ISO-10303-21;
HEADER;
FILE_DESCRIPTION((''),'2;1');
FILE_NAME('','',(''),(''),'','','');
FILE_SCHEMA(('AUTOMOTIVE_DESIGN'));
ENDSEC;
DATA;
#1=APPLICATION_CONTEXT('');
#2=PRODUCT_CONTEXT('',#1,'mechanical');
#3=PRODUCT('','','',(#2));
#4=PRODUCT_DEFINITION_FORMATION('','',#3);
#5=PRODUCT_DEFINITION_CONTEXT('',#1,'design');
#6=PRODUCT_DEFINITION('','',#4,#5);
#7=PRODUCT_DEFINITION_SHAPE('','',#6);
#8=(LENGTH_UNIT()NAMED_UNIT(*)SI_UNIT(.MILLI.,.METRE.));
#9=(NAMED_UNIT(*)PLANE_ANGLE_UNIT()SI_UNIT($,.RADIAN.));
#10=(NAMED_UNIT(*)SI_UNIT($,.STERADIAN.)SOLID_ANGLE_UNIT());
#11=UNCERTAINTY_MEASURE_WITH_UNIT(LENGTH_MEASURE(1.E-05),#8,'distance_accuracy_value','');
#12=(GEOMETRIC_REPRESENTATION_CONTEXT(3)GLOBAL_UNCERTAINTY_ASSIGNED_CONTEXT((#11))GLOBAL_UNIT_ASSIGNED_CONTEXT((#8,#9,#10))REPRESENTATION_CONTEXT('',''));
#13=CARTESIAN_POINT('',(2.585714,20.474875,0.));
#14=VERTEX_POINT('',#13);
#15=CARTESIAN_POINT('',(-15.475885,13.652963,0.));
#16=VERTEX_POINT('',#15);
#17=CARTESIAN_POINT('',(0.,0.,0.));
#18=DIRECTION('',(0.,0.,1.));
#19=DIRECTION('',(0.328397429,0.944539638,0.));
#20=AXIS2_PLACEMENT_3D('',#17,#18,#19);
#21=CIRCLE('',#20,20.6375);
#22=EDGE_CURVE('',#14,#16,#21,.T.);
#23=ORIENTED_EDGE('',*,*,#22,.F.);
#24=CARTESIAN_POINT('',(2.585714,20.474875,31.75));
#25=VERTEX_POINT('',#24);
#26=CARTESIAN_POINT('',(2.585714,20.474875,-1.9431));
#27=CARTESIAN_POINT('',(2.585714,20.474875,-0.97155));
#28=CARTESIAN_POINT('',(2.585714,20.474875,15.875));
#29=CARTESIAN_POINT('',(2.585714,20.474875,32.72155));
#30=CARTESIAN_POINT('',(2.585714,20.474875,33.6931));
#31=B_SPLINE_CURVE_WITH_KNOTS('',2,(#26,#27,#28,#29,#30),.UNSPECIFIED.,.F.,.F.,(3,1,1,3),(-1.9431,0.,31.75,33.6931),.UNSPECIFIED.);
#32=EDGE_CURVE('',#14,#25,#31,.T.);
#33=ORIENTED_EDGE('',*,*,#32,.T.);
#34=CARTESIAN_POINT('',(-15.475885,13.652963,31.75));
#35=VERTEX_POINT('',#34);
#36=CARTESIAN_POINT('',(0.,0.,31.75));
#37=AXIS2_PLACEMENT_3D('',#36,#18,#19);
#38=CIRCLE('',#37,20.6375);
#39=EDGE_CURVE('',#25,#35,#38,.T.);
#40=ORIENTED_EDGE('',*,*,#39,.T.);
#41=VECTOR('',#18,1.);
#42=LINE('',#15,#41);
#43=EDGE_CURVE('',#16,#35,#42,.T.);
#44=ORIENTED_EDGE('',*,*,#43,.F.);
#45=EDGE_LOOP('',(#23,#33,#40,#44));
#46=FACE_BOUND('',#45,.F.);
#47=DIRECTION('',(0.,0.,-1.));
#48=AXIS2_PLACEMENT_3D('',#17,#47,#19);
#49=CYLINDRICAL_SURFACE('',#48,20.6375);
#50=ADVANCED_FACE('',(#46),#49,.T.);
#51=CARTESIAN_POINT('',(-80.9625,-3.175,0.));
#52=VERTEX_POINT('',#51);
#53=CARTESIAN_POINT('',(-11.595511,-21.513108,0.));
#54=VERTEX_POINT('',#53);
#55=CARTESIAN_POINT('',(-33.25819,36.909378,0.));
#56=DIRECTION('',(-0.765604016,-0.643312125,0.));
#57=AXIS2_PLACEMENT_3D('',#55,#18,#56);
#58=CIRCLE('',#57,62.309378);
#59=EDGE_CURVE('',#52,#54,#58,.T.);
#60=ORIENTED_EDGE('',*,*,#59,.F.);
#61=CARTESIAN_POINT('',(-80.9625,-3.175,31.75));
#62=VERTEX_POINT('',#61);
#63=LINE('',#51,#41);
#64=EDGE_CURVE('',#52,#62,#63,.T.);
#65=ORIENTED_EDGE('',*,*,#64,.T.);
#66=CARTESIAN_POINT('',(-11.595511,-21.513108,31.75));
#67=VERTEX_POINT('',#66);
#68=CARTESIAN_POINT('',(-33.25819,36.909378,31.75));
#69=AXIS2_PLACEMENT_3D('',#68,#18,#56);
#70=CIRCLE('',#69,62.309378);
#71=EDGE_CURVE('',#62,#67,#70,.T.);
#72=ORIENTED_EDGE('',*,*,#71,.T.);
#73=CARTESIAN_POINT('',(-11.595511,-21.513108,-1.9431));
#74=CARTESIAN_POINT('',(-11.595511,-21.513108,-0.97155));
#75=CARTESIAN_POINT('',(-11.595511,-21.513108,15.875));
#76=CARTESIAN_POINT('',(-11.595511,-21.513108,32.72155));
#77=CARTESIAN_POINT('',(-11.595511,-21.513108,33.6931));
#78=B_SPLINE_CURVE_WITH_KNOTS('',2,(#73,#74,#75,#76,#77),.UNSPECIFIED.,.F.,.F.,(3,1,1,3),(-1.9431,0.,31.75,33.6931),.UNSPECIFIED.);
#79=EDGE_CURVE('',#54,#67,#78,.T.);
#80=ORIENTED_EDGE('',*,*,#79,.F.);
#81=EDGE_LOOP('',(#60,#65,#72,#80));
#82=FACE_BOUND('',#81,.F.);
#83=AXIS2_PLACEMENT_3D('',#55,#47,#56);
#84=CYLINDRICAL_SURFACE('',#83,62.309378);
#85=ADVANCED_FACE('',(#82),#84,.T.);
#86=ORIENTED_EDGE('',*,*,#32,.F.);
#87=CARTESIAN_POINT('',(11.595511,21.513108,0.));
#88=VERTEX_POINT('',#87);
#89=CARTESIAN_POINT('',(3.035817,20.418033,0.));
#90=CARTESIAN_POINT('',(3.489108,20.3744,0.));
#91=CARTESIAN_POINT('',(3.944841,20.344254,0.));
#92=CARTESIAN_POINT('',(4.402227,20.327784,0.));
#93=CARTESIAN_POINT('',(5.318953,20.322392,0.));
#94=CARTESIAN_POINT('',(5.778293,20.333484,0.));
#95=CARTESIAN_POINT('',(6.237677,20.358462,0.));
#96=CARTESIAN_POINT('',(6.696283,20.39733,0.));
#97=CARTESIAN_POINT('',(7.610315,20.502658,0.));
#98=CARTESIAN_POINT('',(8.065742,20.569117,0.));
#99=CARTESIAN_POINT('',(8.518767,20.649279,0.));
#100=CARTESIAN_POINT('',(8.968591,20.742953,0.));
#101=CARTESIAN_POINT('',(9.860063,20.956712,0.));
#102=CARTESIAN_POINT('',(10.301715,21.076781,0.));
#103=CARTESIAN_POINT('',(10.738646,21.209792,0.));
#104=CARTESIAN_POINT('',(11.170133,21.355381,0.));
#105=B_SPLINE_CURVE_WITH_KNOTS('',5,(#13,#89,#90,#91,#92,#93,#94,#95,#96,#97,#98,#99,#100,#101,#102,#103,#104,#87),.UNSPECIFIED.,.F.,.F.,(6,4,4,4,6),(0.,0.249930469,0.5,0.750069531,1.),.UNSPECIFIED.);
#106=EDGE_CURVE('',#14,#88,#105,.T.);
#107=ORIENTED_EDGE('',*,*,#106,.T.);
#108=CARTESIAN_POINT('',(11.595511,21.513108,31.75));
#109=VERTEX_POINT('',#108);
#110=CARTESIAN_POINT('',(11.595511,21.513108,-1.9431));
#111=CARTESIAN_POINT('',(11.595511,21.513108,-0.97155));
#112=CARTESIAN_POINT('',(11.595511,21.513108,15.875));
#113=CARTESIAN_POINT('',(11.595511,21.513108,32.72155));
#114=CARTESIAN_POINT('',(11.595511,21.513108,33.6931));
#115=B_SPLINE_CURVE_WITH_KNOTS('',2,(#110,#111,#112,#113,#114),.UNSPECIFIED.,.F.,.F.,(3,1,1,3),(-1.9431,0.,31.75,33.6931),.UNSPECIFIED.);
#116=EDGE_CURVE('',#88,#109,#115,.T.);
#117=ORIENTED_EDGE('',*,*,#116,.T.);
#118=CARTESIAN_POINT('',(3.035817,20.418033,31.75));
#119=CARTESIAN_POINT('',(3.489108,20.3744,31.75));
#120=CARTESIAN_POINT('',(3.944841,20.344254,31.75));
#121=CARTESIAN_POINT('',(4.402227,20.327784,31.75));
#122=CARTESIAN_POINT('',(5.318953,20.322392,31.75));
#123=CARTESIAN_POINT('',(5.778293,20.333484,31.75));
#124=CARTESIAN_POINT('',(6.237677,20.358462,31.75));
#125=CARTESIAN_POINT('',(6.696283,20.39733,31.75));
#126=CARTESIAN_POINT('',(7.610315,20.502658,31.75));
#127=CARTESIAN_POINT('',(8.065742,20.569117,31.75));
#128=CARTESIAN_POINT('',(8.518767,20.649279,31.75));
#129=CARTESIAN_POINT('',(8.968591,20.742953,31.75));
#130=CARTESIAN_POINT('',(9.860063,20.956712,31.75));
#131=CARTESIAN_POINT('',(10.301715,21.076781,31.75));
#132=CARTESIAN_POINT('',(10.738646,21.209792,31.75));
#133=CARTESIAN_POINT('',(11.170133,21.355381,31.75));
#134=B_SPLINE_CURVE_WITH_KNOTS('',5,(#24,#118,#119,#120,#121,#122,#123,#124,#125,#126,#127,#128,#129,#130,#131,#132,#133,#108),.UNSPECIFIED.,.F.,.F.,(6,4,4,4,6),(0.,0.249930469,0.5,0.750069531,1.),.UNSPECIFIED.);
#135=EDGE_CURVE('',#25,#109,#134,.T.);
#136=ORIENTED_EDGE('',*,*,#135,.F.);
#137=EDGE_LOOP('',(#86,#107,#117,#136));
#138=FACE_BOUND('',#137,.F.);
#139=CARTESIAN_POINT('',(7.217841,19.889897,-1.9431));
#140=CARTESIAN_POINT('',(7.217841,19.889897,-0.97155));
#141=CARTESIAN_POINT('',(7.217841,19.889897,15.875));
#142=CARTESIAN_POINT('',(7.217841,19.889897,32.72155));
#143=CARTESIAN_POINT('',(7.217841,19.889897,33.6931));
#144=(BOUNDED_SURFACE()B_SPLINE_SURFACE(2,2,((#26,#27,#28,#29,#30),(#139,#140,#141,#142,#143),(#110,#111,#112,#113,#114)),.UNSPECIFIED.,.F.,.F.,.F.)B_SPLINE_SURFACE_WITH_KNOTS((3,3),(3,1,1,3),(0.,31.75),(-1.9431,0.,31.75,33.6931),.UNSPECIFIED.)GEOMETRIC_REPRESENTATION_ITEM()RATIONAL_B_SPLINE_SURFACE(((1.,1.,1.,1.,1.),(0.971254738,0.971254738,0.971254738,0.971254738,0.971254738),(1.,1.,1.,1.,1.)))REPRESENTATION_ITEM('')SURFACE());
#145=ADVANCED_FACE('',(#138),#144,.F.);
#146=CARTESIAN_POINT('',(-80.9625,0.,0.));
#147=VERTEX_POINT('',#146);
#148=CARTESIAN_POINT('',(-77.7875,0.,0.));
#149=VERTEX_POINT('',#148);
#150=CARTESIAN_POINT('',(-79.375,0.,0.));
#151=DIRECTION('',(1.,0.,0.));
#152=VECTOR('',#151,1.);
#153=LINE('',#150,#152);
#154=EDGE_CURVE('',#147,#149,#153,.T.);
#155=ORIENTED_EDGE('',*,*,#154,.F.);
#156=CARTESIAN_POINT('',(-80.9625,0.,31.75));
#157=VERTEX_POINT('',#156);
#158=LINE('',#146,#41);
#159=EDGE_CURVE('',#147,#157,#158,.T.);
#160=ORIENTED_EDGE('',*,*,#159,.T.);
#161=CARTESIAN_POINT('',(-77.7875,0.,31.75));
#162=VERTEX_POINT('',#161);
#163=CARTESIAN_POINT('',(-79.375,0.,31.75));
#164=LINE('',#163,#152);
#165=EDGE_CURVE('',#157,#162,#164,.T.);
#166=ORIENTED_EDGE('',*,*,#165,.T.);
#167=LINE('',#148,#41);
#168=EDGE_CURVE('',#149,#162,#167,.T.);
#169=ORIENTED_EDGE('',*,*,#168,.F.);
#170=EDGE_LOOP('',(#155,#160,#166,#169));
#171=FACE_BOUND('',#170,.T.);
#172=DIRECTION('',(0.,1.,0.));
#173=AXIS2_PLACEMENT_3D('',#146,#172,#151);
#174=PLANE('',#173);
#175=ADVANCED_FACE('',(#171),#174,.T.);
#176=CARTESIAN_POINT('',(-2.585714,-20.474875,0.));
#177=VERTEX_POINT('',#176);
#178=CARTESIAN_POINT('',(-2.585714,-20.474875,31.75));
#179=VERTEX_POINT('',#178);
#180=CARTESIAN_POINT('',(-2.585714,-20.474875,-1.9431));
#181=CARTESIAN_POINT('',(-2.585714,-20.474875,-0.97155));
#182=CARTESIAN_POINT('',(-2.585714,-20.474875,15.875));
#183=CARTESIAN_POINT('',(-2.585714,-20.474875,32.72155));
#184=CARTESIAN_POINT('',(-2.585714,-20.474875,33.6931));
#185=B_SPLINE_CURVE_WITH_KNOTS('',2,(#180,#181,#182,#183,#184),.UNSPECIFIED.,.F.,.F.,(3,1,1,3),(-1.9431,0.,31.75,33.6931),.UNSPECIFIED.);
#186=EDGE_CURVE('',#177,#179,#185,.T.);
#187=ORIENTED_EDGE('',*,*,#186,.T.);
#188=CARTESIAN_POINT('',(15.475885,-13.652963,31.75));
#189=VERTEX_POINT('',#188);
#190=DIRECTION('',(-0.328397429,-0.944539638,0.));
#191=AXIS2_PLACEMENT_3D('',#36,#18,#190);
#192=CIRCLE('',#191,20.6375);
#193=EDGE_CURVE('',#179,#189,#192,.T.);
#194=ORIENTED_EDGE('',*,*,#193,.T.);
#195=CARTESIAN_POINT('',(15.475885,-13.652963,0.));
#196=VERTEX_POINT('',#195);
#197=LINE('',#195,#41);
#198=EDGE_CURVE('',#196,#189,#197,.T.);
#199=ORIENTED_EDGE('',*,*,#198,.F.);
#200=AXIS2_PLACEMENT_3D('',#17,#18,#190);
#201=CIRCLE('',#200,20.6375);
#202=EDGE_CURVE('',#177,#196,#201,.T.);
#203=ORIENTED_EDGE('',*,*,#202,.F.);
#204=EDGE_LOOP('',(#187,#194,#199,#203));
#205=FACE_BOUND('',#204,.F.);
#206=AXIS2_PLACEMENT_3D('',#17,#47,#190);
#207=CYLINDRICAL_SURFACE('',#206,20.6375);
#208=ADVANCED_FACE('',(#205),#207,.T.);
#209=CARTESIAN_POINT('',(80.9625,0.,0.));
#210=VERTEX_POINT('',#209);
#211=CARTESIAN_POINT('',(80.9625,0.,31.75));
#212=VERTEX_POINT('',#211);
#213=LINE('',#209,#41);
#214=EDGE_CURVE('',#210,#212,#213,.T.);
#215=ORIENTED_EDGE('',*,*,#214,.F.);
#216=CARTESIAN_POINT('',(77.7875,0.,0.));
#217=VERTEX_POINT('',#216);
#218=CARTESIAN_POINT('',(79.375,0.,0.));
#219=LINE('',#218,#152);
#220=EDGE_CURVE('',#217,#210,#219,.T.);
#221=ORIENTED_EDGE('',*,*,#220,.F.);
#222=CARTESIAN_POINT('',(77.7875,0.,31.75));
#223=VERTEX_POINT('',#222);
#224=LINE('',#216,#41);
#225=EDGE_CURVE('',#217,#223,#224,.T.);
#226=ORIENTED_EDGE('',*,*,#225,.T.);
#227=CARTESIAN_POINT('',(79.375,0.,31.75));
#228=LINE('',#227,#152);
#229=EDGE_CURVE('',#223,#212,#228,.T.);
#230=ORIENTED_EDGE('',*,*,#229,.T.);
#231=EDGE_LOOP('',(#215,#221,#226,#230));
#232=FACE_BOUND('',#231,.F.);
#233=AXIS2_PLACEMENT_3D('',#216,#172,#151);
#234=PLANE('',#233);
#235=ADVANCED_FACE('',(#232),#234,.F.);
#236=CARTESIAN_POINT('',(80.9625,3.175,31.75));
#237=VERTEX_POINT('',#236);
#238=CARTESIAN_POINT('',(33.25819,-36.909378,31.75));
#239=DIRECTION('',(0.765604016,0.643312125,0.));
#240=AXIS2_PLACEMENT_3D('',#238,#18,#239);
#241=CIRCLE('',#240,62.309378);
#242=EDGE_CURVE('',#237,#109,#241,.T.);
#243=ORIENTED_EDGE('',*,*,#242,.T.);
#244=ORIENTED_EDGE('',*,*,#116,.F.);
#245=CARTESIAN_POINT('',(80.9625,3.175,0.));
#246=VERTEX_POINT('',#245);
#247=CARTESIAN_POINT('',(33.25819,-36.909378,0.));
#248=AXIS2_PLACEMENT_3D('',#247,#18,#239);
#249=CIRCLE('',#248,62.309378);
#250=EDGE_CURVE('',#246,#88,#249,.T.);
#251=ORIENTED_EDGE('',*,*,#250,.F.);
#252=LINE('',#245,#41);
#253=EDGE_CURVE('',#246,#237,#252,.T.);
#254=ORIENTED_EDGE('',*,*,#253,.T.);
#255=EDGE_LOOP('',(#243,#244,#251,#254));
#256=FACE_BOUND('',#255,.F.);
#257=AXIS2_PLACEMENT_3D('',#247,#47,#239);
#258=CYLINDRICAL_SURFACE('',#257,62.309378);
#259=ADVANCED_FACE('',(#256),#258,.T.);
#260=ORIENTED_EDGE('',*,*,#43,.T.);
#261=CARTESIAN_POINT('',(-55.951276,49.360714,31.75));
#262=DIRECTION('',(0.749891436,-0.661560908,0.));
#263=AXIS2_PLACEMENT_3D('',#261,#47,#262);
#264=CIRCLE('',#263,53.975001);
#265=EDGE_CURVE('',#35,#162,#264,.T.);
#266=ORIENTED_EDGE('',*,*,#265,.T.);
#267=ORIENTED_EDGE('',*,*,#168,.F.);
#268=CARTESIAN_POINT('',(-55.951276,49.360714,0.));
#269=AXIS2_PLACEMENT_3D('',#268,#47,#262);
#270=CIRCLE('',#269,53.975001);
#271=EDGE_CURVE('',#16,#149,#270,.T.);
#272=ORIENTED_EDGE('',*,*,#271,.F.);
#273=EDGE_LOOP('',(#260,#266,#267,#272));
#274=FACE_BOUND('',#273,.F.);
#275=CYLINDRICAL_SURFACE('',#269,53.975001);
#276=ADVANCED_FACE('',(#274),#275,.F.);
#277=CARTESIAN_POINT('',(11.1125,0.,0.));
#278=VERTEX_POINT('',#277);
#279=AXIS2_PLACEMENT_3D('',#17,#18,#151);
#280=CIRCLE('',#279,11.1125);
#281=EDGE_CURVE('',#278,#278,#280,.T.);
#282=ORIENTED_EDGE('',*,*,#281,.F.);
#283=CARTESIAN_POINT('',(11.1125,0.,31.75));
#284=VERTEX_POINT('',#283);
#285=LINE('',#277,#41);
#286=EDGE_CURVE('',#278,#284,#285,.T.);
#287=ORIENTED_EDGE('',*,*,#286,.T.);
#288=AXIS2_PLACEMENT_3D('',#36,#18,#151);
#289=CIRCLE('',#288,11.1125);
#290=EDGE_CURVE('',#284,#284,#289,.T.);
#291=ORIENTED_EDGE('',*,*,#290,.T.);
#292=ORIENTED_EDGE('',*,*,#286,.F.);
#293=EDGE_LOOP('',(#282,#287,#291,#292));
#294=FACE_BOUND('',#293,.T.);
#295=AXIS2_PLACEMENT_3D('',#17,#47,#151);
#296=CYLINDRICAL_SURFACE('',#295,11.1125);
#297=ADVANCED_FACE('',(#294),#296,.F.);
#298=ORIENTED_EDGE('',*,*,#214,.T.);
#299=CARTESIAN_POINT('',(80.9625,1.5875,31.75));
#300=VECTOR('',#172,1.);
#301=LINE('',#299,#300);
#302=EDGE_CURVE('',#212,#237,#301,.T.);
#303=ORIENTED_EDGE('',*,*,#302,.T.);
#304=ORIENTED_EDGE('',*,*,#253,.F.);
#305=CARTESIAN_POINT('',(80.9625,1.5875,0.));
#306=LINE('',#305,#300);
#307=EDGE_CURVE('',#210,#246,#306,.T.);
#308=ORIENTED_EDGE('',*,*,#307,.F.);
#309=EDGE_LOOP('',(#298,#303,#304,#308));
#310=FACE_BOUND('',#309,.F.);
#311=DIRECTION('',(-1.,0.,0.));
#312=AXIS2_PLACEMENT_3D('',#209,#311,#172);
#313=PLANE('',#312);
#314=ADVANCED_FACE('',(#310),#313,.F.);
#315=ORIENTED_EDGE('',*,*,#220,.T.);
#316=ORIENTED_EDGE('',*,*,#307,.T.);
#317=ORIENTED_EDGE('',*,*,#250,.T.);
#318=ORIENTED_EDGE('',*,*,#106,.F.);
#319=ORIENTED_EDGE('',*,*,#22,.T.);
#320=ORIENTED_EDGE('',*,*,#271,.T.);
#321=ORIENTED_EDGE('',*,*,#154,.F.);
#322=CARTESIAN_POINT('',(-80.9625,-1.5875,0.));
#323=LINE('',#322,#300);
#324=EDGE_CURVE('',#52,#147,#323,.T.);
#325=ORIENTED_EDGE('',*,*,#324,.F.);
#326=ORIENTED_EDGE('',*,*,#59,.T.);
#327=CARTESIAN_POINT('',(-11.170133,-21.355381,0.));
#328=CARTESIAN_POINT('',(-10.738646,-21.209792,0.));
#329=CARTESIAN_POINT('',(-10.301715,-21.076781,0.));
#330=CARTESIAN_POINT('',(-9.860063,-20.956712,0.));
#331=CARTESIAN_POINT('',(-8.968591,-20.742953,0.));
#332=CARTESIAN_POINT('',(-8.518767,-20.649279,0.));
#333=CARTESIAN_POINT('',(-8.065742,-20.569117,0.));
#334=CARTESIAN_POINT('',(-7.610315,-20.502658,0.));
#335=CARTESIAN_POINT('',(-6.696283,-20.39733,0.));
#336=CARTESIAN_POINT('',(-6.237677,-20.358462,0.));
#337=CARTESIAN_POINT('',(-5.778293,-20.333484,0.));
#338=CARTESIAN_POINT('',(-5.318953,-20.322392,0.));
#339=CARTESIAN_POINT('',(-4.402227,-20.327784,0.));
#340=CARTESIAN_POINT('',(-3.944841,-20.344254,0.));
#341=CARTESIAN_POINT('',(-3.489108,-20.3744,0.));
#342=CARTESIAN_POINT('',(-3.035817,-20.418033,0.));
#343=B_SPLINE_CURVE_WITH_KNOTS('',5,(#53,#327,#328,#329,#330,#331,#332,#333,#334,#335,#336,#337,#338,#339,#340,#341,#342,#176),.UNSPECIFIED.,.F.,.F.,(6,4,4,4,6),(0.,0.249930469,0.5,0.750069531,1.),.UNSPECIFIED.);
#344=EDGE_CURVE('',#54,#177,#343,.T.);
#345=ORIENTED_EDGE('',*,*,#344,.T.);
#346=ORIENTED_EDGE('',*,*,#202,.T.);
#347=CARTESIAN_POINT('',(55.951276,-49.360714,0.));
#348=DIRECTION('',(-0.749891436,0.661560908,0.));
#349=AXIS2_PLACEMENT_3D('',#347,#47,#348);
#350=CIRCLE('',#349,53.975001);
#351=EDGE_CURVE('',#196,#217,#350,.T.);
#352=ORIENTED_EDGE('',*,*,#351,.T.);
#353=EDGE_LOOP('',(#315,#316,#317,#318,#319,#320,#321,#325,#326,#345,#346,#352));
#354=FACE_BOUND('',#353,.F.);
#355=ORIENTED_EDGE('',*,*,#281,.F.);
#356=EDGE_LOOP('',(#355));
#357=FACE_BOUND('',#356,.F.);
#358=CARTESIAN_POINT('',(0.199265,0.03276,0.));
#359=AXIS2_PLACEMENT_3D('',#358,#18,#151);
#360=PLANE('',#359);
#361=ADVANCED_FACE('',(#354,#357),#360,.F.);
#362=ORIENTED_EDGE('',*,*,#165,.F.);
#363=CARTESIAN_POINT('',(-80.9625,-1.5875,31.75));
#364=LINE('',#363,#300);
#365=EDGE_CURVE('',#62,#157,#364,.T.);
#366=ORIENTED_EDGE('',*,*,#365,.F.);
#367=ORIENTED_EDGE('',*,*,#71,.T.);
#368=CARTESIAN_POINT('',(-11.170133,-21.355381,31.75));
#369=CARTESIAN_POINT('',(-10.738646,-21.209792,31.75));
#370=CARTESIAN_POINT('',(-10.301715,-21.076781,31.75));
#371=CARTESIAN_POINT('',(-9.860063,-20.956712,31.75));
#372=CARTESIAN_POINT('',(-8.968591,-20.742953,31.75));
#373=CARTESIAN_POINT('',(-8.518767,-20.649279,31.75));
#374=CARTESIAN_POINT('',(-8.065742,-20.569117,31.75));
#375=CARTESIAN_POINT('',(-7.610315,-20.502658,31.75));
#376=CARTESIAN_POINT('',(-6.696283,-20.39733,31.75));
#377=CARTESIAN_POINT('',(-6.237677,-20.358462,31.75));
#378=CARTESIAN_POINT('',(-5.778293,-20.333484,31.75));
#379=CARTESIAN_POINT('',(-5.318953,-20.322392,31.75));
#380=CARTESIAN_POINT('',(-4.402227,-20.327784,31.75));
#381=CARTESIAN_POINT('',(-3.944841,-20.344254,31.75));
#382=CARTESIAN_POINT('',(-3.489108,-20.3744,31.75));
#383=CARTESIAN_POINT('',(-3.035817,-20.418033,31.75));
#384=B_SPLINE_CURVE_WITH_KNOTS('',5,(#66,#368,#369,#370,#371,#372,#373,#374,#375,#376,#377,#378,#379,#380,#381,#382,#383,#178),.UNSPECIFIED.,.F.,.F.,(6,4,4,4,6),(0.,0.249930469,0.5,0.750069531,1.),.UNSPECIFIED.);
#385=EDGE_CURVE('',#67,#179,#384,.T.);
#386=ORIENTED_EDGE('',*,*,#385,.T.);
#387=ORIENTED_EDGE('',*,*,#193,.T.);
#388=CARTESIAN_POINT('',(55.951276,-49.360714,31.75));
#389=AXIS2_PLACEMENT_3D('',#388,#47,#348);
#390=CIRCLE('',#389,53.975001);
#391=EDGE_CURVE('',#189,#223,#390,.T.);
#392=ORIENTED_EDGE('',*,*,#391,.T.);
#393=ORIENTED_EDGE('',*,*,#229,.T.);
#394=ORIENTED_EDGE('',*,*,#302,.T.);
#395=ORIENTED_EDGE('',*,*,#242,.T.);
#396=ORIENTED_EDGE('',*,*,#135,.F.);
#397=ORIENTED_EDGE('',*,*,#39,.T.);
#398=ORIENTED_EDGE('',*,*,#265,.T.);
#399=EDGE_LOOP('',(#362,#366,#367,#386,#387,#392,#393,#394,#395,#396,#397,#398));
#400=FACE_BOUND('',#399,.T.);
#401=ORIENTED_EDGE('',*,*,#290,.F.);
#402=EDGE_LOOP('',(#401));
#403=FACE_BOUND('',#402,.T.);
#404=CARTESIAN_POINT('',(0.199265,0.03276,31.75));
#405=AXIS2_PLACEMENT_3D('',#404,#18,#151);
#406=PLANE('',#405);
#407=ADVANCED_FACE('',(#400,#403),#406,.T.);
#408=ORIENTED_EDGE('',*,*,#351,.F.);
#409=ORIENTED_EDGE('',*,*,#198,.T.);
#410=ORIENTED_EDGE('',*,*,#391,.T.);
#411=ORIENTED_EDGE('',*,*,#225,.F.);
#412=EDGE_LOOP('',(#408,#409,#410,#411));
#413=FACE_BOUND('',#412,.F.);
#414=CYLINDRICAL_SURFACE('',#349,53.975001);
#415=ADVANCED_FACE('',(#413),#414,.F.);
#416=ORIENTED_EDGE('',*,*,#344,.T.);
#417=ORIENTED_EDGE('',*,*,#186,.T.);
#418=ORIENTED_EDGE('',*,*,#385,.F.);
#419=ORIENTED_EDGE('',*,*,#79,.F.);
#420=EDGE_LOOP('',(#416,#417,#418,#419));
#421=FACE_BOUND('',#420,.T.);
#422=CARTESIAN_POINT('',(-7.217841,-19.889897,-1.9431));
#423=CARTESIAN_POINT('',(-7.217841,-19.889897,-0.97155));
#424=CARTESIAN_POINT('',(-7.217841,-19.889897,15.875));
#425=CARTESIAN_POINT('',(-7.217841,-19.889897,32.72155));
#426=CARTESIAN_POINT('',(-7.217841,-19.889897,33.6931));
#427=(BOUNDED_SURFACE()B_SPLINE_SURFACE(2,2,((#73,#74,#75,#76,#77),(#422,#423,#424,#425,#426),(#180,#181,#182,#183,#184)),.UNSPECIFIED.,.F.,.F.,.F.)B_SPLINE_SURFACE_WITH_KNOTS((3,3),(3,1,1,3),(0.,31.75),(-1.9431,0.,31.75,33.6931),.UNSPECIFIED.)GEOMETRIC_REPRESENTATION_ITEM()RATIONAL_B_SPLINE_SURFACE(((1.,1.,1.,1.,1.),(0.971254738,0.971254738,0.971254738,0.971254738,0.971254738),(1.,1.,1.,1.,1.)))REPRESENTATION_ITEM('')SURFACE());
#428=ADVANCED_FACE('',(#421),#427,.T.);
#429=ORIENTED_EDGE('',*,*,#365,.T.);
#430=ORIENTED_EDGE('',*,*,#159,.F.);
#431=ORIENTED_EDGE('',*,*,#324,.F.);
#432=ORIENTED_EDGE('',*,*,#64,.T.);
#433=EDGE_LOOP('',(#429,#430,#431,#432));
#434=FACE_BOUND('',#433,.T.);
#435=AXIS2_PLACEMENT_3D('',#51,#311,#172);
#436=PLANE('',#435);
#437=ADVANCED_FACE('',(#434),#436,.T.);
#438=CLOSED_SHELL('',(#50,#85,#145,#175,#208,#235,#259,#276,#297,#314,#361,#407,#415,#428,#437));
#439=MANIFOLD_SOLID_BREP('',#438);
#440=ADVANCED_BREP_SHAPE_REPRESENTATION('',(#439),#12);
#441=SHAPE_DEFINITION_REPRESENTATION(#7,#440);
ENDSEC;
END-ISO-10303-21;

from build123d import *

# Parameters (mm, degrees)
F0_W     = 3.175
F0_H     = 3.175
F1_DEPTH = 31.75
F2_R     = 11.1125
F3_DEPTH = 31.75
F4_R     = 19.05
F5_R     = 19.05


with BuildPart() as f1:
    # F0 (on Top) → F1 (new body)
    with BuildSketch(Plane.XY):
        with BuildLine():
            ThreePointArc((15.475885, -13.652963), (19.304015, -7.298042), (20.6375, 0))
            ThreePointArc((20.6375, 0), (16.81923, 11.959093), (6.777302, 19.492937))
            ThreePointArc((6.777302, 19.492937), (-5.238574, 19.961557), (-15.475885, 13.652963))
            ThreePointArc((-15.475885, 13.652963), (-19.961557, -5.238574), (-6.777302, -19.492937))
            ThreePointArc((-6.777302, -19.492937), (5.238574, -19.961557), (15.475885, -13.652963))
        make_face()
        with BuildLine():
            ThreePointArc((6.777302, 19.492937), (16.81923, 11.959093), (20.6375, 0))
            ThreePointArc((20.6375, 0), (19.304015, -7.298042), (15.475885, -13.652963))
            ThreePointArc((15.475885, -13.652963), (44.398982, 3.363524), (77.7875, 0))
            Line((77.7875, 0), (77.7875, 3.175))
            Line((77.7875, 3.175), (80.9625, 3.175))
            ThreePointArc((80.9625, 3.175), (46.643898, 23.945214), (6.777302, 19.492937))
        make_face()
        with BuildLine():
            ThreePointArc((-6.777302, -19.492937), (-19.961557, -5.238574), (-15.475885, 13.652963))
            ThreePointArc((-15.475885, 13.652963), (-44.398982, -3.363524), (-77.7875, 0))
            Line((-77.7875, 0), (-77.7875, -3.175))
            Line((-77.7875, -3.175), (-80.9625, -3.175))
            ThreePointArc((-80.9625, -3.175), (-46.643898, -23.945214), (-6.777302, -19.492937))
        make_face()
        with Locations((79.375, 1.5875)):
            Rectangle(F0_W, F0_H)
        with Locations((-79.375, -1.5875)):
            Rectangle(F0_W, F0_H)
    extrude(amount=F1_DEPTH)

    # F2 (on Top) → F3 (cut)
    with BuildSketch(Plane.XY):
        Circle(F2_R)
    extrude(amount=F3_DEPTH, mode=Mode.SUBTRACT)

    # F4
    f4_edges = [f1.edges().sort_by_distance(p)[0] for p in [
        (-6.777302, -19.492937, 15.875),
    ]]
    fillet(f4_edges, radius=F4_R)

    # F5
    f5_edges = [f1.edges().sort_by_distance(p)[0] for p in [
        (6.777302, 19.492937, 15.875),
    ]]
    fillet(f5_edges, radius=F5_R)


solid = f1.part
